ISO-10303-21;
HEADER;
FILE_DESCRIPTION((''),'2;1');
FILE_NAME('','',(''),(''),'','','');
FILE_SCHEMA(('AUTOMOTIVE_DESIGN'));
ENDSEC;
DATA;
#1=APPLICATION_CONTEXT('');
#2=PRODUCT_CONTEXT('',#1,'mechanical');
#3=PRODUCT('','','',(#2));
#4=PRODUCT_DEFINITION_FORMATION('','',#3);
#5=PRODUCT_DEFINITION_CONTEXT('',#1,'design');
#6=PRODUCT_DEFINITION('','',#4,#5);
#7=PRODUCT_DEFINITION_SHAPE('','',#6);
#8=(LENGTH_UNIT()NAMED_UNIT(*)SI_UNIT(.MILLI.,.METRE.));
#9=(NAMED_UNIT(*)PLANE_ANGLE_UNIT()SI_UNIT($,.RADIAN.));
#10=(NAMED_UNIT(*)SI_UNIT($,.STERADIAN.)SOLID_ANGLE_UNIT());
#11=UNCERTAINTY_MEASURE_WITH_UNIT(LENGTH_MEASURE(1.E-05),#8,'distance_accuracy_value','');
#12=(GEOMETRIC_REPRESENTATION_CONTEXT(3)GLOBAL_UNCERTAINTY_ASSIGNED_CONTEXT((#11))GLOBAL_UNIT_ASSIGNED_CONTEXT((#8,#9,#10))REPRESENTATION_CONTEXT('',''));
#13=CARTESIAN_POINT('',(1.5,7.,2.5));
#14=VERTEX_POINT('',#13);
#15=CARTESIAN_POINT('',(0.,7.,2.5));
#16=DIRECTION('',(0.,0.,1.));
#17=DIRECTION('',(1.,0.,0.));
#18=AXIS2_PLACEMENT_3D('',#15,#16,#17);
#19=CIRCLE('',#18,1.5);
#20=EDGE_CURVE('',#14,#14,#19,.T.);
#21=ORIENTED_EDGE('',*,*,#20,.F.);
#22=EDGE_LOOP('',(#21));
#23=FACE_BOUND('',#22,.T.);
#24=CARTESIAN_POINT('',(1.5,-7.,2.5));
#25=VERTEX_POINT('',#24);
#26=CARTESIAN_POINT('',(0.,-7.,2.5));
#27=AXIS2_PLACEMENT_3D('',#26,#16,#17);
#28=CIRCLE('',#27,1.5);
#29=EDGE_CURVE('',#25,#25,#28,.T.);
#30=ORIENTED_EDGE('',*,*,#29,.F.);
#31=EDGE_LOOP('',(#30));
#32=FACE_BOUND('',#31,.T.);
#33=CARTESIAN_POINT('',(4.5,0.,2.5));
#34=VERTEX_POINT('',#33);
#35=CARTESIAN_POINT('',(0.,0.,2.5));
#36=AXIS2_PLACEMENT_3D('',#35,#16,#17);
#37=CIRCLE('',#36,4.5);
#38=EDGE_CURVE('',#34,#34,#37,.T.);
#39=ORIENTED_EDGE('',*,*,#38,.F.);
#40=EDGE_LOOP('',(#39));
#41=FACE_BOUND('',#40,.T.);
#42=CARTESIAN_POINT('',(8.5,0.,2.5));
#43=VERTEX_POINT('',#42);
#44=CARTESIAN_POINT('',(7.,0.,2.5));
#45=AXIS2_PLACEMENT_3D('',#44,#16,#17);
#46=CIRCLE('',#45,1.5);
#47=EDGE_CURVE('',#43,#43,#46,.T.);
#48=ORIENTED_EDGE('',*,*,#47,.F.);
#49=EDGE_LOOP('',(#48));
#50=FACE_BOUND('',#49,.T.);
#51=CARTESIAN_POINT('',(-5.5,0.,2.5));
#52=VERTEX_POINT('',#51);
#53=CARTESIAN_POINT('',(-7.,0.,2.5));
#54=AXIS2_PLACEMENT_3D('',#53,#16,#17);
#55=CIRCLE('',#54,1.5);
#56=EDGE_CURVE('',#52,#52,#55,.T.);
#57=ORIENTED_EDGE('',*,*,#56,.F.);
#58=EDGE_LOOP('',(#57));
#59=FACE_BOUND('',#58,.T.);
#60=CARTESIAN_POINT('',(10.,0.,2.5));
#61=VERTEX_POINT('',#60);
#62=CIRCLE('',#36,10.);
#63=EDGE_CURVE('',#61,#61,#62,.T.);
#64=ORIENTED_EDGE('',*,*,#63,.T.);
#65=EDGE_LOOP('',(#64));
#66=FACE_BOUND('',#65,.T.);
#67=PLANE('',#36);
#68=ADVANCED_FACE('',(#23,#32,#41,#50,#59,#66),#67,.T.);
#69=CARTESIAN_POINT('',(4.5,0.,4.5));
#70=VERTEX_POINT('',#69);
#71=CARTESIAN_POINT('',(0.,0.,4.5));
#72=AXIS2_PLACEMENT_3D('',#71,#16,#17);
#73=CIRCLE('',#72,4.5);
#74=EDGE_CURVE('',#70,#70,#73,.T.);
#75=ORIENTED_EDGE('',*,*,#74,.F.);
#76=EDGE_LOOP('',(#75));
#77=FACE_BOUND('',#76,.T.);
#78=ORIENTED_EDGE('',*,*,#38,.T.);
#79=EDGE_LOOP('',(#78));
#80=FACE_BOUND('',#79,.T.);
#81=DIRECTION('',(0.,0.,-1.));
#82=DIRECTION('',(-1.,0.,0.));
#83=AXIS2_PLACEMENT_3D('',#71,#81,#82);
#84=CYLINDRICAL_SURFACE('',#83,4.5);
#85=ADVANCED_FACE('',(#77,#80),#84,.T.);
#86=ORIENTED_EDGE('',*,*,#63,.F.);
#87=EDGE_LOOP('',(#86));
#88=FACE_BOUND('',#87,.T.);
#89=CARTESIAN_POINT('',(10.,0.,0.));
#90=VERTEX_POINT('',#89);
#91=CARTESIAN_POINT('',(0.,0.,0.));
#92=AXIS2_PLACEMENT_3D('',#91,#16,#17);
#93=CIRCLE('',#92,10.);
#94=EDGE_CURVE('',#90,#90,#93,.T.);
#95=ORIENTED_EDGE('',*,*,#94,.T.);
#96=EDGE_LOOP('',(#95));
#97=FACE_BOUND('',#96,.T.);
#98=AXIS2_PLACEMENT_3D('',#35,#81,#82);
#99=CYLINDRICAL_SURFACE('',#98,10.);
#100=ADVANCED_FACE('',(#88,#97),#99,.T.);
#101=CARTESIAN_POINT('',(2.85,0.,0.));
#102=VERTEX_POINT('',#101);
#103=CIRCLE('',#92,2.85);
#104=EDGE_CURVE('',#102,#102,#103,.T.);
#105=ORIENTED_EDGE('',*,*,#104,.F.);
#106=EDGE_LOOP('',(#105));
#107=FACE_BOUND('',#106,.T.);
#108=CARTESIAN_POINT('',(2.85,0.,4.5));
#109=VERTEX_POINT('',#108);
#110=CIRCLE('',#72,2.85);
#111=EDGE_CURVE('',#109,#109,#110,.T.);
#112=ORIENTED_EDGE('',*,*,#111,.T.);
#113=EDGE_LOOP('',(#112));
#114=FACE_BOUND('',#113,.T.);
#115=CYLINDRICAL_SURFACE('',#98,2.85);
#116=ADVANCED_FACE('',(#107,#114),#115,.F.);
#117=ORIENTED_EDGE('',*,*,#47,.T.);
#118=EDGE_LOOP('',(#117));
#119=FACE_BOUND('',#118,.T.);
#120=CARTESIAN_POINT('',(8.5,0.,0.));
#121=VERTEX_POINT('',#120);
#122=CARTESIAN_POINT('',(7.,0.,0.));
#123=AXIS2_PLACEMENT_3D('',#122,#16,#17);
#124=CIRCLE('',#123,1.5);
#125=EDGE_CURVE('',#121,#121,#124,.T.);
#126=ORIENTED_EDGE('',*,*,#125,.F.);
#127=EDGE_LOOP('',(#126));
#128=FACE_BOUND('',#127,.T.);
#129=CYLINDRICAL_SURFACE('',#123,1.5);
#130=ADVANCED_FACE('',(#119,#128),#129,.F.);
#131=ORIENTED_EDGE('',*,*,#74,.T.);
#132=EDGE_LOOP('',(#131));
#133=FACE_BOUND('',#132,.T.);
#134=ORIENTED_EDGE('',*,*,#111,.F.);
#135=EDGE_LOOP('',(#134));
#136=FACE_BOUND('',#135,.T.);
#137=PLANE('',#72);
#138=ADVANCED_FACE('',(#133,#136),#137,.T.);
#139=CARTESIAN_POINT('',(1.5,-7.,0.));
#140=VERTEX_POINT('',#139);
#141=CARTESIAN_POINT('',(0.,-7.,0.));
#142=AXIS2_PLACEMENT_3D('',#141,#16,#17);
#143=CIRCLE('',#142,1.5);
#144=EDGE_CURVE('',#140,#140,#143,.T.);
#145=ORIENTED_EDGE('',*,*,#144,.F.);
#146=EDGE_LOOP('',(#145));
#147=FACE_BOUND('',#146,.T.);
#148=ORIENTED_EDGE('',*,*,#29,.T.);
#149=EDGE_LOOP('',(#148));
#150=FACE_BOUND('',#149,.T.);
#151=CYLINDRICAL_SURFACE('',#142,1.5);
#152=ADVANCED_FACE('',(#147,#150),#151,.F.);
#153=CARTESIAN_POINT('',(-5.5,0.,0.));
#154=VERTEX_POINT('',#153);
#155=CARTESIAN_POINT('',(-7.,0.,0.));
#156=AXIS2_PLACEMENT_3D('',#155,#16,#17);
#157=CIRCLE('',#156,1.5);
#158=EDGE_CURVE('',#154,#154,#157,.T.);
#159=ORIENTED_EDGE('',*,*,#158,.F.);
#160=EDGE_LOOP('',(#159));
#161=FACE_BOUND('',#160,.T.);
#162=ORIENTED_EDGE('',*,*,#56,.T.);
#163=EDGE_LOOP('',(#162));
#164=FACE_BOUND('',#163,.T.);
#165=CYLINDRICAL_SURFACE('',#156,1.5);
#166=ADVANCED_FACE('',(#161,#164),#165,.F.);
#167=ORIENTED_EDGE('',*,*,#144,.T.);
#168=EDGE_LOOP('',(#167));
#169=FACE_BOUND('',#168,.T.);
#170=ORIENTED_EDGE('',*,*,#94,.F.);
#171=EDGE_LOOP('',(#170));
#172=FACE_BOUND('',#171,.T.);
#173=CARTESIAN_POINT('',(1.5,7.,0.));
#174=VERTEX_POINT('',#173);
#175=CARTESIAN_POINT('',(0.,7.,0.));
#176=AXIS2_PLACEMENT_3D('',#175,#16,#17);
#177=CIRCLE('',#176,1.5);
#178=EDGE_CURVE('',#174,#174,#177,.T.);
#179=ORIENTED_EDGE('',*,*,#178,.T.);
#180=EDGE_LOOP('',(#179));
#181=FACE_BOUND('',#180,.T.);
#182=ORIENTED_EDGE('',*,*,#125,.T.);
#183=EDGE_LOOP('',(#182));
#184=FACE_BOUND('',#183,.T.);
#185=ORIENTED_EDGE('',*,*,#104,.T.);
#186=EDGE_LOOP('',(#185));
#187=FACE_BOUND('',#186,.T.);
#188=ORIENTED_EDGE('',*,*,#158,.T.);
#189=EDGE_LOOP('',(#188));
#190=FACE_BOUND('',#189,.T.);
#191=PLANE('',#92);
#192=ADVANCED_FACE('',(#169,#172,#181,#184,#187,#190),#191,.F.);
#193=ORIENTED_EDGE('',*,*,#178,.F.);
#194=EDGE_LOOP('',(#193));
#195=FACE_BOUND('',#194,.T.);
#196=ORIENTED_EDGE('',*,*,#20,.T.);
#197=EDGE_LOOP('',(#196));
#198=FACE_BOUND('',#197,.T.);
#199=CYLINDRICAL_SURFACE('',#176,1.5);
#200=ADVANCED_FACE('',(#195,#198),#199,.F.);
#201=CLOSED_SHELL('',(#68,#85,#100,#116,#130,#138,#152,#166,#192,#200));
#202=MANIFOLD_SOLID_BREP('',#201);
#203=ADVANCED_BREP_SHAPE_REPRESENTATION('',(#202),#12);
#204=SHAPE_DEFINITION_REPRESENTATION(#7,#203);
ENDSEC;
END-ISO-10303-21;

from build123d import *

# Parameters (mm, degrees)
ESQUISSE1_R             = 10
ESQUISSE1_R_2           = 2.85
BOSS_EXTRU_1_DEPTH      = 2.5
ESQUISSE2_R             = 4.5
ESQUISSE2_R_2           = 2.85
BOSS_EXTRU_2_DEPTH      = 2
ESQUISSE3_R             = 1.5
ENL_V_MAT_EXTRU_1_DEPTH = 3.5


with BuildPart() as part:
    # Esquisse1 → Boss.-Extru.1 (new body)
    with BuildSketch(Plane.XY):
        Circle(ESQUISSE1_R)
        Circle(ESQUISSE1_R_2, mode=Mode.SUBTRACT)
    extrude(amount=BOSS_EXTRU_1_DEPTH)

    # Esquisse2 → Boss.-Extru.2 (add)
    with BuildSketch(Plane.XY.offset(2.5)):
        Circle(ESQUISSE2_R)
        Circle(ESQUISSE2_R_2, mode=Mode.SUBTRACT)
    extrude(amount=BOSS_EXTRU_2_DEPTH)

    # Esquisse3 → Enlèv. mat.-Extru.1 (cut, through all)
    with BuildSketch(Plane.XY.offset(2.5)):
        with Locations((0, 7)):
            Circle(ESQUISSE3_R)
        with Locations((0, -7)):
            Circle(ESQUISSE3_R)
        with Locations((7, 0)):
            Circle(ESQUISSE3_R)
        with Locations((-7, 0)):
            Circle(ESQUISSE3_R)
    extrude(amount=-ENL_V_MAT_EXTRU_1_DEPTH, mode=Mode.SUBTRACT)


solid = part.part
